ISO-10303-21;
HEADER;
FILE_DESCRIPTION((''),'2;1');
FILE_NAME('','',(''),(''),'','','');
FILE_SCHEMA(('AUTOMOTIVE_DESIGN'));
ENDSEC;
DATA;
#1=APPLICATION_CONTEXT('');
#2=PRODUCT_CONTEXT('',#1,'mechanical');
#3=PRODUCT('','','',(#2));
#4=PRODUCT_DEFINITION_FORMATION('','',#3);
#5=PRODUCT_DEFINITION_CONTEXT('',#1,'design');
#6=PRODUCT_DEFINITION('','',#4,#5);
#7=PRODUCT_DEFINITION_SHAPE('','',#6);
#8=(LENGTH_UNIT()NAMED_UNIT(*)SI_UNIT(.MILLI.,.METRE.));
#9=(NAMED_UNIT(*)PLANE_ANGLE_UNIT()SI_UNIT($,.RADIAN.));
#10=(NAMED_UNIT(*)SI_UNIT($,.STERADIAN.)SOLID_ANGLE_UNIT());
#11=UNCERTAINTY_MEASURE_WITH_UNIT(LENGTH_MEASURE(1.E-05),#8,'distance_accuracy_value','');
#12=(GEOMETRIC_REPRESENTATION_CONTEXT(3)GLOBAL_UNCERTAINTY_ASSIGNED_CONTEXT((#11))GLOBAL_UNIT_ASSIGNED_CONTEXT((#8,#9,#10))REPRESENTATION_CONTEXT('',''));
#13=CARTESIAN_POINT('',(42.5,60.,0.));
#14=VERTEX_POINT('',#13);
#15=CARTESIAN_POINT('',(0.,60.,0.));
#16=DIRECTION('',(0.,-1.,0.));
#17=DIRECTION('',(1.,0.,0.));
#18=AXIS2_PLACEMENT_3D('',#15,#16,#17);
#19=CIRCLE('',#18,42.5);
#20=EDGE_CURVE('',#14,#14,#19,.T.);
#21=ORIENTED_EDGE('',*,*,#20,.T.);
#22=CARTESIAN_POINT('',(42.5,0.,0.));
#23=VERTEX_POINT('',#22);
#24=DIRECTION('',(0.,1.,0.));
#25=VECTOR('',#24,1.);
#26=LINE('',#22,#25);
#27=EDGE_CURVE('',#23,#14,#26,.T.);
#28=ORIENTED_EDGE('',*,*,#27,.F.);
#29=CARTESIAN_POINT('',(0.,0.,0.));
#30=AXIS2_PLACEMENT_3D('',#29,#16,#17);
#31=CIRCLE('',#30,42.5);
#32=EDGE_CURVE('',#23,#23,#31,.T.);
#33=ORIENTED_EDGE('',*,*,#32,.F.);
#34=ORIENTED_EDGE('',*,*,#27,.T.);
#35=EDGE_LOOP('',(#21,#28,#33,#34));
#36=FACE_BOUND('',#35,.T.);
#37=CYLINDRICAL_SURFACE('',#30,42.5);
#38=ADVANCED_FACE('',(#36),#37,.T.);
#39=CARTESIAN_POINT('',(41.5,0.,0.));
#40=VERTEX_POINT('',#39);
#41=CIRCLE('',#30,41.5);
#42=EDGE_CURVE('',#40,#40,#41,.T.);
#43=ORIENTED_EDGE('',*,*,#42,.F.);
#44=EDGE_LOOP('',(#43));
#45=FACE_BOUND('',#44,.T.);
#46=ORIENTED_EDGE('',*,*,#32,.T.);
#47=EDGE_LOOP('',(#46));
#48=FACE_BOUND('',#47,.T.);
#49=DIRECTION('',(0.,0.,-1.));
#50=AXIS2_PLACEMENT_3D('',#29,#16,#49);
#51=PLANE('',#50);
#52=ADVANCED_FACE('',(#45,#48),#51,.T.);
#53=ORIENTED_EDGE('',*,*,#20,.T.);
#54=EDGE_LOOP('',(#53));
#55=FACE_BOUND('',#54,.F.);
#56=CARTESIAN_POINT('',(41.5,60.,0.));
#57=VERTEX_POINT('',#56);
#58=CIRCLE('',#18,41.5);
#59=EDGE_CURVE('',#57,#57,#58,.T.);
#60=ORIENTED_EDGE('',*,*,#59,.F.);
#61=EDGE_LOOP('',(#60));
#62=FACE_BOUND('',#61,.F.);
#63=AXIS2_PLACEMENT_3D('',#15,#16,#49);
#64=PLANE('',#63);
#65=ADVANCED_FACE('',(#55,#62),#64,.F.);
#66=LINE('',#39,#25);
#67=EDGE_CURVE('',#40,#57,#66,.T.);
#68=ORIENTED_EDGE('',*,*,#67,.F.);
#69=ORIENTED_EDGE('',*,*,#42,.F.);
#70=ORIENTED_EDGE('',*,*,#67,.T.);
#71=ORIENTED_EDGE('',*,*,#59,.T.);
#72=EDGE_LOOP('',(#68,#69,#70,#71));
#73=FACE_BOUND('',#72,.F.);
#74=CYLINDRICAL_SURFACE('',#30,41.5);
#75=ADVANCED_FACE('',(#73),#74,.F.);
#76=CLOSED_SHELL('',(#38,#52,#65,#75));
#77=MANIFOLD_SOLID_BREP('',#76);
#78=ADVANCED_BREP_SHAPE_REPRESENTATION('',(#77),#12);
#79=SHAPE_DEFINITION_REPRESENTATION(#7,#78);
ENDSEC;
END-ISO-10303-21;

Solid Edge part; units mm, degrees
sketch "Sketch1" plane through (0, 0, 0) normal (0, -1, 0) x (1, 0, 0)
  circle A0 centre (0, 0) radius 41.5
  circle A1 centre (0, 0) radius 42.5
  dimension "D1" = 83
  dimension "D2" = 85
extrude "Protrusion1" add sketch "Sketch1" against normal blind 60
